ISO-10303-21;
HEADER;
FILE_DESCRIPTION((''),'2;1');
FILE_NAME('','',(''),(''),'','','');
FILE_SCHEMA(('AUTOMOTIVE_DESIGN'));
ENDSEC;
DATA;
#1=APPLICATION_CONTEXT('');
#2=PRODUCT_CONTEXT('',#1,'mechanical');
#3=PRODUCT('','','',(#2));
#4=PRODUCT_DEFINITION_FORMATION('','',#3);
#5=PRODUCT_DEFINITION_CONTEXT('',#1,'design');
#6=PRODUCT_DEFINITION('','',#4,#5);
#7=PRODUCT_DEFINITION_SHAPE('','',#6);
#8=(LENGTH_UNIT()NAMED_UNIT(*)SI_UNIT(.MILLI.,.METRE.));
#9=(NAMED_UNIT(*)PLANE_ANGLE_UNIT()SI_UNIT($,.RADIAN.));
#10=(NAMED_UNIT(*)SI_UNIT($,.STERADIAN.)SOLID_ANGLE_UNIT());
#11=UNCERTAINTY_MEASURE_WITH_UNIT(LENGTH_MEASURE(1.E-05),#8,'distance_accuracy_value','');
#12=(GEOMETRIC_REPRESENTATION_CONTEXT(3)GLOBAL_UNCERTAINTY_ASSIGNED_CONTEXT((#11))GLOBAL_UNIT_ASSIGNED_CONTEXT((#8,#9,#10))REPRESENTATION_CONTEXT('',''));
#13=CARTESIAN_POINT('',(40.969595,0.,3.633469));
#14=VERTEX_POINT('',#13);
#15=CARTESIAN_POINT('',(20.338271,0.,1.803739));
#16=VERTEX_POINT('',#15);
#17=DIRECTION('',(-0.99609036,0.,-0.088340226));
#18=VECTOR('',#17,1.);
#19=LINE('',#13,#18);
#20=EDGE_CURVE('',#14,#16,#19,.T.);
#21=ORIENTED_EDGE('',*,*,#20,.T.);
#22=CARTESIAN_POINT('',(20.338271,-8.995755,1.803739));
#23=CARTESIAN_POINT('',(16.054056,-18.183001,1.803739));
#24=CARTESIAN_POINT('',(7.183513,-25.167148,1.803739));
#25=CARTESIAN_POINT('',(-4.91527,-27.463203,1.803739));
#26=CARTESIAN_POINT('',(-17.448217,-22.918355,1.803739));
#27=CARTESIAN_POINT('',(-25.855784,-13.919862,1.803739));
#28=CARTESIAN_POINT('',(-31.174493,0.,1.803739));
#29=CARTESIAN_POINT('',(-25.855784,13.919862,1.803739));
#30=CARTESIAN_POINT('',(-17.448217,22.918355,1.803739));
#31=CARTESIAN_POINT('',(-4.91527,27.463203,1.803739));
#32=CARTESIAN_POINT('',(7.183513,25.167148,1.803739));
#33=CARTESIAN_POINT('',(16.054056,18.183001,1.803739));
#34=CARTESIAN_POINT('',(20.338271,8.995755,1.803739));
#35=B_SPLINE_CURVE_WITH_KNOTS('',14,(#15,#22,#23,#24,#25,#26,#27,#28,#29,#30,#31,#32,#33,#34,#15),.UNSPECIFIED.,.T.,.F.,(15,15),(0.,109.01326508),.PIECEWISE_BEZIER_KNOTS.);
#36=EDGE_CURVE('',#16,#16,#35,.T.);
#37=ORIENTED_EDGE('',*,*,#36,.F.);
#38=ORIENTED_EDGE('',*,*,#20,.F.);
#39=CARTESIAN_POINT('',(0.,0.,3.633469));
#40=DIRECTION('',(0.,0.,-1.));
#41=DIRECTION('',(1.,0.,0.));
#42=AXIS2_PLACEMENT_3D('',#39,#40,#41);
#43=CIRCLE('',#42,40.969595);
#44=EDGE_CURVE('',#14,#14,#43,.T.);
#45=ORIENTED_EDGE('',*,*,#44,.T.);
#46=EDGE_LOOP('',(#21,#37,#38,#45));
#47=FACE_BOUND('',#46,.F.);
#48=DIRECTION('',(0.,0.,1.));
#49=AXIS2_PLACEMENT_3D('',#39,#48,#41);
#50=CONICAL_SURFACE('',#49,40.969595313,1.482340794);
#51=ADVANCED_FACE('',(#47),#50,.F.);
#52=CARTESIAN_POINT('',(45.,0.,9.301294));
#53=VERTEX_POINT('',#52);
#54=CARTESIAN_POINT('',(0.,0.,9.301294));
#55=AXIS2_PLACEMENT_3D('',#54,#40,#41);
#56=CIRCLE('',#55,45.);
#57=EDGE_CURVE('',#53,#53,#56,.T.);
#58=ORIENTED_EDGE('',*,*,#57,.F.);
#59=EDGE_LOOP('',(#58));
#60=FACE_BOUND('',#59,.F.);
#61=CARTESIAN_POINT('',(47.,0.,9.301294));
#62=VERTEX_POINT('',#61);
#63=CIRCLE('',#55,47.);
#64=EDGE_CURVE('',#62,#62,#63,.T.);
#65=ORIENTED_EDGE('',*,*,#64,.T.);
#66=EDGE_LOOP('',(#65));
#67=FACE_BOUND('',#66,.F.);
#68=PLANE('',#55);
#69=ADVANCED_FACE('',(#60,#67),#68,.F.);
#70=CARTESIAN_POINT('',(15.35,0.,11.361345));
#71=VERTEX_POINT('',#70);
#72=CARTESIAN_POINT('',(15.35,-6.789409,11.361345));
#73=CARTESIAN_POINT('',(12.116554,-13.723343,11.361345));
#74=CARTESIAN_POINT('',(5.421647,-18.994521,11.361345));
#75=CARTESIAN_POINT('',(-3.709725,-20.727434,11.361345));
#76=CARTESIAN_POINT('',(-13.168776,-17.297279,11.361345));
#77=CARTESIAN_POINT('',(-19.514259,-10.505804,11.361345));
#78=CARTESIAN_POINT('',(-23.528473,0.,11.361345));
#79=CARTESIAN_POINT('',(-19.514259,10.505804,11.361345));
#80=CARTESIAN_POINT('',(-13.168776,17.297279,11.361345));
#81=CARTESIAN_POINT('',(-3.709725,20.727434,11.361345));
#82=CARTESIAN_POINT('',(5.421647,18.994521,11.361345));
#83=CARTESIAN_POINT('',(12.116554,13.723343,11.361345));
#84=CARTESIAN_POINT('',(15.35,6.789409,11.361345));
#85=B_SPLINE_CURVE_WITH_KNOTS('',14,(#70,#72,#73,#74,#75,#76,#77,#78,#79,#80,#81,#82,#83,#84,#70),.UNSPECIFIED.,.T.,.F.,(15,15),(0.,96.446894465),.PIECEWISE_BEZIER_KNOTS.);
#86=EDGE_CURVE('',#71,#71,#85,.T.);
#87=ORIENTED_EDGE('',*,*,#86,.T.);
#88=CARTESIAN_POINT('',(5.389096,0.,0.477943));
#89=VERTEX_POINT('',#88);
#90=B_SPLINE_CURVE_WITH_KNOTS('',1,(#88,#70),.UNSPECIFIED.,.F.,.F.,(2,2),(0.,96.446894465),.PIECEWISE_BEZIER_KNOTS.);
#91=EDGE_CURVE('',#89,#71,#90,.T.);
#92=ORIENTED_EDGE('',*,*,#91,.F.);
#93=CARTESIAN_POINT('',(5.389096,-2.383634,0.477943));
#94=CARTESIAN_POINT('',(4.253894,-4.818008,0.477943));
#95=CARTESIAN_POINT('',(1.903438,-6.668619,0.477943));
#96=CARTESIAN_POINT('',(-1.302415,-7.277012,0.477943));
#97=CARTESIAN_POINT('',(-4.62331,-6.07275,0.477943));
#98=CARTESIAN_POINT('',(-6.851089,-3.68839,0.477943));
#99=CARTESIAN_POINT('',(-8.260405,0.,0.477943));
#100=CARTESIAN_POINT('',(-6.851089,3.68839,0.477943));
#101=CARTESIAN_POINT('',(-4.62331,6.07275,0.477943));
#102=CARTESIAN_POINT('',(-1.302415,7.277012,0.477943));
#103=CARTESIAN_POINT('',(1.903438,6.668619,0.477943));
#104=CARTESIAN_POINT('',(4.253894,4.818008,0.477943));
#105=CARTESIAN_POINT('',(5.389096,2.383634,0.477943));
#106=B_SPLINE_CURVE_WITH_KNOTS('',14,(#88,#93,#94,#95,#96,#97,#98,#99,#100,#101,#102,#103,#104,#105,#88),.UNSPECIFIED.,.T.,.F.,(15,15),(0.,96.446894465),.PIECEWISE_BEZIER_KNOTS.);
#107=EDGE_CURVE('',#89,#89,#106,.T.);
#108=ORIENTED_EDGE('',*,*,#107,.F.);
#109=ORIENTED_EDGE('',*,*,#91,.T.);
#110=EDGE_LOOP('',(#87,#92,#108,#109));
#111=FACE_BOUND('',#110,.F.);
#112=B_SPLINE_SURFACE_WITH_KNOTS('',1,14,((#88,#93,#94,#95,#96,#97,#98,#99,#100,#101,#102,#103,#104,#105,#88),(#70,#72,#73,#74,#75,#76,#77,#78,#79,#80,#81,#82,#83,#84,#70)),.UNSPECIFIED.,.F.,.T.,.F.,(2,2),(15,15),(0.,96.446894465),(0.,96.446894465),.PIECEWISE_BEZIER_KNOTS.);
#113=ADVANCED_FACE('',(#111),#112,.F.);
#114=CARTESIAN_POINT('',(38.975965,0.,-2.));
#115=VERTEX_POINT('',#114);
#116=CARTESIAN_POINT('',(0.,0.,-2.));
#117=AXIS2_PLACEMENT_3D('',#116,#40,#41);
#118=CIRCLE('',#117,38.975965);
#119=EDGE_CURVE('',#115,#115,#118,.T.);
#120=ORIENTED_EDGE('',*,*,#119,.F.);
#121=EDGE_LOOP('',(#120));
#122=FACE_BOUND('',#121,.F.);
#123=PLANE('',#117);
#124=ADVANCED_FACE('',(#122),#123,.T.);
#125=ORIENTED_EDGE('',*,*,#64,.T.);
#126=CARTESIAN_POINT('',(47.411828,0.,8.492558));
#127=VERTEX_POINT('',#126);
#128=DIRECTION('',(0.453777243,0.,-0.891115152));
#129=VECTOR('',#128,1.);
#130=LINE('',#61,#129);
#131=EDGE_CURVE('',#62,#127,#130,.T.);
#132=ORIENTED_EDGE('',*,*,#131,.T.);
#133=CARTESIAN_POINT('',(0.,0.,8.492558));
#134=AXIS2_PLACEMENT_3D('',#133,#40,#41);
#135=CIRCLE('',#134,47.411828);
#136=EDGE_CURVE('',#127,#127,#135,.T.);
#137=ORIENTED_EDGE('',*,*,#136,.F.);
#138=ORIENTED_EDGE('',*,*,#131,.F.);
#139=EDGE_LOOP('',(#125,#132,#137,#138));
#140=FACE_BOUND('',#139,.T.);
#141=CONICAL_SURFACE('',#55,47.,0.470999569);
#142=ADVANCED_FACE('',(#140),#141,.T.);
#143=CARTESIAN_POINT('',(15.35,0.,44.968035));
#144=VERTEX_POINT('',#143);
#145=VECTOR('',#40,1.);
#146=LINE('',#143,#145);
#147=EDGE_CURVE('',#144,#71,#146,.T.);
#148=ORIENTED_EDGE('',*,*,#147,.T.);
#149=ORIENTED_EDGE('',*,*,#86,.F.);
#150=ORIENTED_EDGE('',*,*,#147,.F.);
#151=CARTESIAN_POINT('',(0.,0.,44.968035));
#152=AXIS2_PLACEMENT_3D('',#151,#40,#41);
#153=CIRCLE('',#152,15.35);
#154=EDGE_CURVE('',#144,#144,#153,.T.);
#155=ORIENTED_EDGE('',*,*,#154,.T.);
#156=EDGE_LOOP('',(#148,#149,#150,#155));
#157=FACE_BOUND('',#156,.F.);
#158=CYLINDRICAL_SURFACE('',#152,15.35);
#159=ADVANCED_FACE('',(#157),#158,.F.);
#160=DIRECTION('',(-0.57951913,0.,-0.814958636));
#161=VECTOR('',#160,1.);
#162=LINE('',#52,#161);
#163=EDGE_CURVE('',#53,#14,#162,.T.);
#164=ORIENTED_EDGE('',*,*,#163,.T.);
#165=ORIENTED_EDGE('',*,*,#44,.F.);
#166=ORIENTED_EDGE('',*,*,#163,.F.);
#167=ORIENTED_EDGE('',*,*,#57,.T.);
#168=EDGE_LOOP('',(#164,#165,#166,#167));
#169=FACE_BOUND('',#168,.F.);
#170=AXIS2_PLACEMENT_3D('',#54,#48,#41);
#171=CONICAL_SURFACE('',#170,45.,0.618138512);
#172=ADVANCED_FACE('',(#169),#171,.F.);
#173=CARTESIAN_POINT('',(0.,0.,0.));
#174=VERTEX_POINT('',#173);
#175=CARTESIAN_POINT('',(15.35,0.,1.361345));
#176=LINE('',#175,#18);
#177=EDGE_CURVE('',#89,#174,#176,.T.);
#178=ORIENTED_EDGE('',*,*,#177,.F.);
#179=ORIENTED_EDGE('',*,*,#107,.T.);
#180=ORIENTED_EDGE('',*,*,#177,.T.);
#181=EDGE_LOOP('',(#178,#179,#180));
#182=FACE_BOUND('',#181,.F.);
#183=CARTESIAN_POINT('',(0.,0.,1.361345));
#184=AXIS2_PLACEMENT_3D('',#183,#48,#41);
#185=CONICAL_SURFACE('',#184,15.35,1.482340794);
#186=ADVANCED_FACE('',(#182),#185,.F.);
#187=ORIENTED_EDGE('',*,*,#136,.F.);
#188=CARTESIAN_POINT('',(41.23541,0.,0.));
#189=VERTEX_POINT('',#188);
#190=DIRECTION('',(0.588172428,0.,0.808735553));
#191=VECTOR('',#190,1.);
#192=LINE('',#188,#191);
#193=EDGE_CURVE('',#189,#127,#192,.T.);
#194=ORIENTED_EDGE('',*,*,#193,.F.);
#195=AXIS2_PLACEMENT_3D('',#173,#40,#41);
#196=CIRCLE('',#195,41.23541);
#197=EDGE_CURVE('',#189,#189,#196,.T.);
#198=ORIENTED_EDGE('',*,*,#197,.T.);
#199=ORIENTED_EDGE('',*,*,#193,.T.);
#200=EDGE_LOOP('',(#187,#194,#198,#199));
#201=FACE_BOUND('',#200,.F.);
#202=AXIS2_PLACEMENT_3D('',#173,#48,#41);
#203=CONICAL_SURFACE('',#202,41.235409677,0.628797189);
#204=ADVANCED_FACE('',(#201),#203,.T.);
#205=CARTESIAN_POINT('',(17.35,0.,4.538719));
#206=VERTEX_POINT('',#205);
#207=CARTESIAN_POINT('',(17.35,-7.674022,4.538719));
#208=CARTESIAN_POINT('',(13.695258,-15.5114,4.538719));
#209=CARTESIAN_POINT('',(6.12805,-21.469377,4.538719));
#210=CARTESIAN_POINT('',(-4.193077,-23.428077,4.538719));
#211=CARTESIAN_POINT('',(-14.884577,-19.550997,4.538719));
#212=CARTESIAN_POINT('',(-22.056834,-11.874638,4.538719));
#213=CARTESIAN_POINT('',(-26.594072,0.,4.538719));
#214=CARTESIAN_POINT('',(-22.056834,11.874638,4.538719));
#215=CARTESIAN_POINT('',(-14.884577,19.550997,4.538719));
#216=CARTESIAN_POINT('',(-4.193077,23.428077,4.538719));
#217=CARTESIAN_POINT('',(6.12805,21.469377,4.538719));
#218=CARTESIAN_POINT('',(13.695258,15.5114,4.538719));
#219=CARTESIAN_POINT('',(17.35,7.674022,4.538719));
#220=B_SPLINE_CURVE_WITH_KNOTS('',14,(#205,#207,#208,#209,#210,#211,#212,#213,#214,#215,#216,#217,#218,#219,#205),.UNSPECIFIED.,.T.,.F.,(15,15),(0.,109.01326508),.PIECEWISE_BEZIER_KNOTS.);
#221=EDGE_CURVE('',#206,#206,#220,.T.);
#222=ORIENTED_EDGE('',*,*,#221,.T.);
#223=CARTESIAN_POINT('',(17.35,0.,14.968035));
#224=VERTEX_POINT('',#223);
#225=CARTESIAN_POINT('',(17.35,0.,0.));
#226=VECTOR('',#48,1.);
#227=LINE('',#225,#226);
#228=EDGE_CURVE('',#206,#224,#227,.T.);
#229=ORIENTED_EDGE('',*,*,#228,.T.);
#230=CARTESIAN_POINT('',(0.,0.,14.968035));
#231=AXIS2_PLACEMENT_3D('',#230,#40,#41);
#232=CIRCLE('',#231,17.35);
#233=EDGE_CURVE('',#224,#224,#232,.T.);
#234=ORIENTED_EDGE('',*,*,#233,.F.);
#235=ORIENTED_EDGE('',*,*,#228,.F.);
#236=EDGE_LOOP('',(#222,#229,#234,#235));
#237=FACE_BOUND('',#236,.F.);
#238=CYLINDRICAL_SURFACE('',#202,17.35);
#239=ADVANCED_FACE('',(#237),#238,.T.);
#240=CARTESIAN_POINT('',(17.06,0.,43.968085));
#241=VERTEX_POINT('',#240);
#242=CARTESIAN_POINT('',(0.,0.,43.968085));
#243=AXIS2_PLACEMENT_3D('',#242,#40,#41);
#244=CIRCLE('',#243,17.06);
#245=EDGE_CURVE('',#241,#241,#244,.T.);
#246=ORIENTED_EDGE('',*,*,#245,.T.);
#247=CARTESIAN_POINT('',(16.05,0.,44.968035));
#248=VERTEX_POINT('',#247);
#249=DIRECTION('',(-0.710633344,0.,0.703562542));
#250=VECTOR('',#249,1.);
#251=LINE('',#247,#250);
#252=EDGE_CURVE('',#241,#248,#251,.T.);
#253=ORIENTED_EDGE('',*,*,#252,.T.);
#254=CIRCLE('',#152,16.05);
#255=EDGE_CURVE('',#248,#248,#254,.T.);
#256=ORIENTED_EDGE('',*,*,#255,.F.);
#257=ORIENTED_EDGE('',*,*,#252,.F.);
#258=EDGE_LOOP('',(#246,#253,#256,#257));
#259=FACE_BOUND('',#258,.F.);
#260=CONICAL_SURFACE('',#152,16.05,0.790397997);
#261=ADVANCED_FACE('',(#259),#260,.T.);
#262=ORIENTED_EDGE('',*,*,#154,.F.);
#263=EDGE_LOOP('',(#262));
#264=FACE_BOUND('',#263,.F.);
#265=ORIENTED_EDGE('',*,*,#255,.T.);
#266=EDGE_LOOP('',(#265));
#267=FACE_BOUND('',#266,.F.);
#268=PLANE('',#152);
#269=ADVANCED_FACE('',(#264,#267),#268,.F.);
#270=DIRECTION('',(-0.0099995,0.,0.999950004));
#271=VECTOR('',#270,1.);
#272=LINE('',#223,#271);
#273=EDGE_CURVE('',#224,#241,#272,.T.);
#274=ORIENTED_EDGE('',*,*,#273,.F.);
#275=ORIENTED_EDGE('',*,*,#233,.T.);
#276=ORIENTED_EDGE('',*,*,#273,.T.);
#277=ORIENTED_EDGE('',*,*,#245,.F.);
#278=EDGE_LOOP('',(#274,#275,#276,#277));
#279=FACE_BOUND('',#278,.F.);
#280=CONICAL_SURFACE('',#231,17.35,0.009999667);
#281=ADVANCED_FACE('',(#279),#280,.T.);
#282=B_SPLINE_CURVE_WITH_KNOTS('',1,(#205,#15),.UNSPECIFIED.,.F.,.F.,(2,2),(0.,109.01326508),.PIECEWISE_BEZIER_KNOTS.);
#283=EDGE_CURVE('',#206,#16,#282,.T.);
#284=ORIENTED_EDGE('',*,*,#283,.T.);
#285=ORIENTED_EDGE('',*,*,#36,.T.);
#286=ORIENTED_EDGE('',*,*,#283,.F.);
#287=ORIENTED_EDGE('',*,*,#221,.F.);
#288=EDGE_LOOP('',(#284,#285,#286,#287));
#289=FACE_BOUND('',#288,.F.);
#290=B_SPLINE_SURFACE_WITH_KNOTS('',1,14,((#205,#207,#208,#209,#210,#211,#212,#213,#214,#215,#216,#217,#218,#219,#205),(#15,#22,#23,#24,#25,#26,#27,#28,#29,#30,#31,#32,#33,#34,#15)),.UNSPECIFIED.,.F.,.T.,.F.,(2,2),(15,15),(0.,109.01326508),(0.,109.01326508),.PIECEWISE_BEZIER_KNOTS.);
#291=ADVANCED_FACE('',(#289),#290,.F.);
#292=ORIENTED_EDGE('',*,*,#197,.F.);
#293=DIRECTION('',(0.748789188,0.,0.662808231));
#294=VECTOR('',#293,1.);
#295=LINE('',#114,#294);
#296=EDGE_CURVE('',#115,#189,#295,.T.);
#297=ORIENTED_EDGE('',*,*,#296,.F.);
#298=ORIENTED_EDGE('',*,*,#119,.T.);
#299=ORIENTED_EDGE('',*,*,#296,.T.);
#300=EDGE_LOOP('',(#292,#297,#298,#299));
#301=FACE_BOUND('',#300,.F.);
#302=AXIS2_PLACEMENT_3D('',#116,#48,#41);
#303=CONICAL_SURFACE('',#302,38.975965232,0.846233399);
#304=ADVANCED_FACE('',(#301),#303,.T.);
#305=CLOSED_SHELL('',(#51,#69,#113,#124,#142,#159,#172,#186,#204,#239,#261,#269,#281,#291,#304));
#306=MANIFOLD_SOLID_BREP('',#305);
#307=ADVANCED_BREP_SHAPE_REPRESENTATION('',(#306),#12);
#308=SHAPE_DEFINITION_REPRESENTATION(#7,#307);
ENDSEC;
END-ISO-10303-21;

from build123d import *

# Parameters (mm, degrees)
F2_SIZE  = 10
F3_SIZE  = 3
F4_SIZE2 = 0.3
F4_SIZE  = 30
F5_SIZE  = 1
F6_SIZE  = 1


with BuildPart() as f1:
    # F0 (on Front) → F1 (revolve)
    with BuildSketch(Plane.XZ):
        Polygon((15.35, 1.3613448423), (0, 0), (15.35, 0), align=None)
        Polygon((15.35, 0), (0, 0), (0, -2), (38.9759652317, -2), (41.235409677, 0), (35, 0), (17.35, 0), align=None)
        Polygon((15.35, 1.3613448423), (15.35, 0), (17.35, 0), (17.35, 1.5387187631), align=None)
        Polygon((15.35, 44.9680350721), (15.35, 1.3613448423), (17.35, 1.5387187631), (17.35, 44.9680350721), align=None)
        Polygon((17.35, 1.5387187631), (17.35, 0), (35, 0), (41.235409677, 0), (48, 9.3012940374), (45, 9.3012940374), (40.9695953131, 3.6334688775), align=None)
    revolve(axis=Axis((0, 0, 15.92751313), (0, 0, -1)))

    # F2
    f2_edges = [f1.edges().sort_by_distance(p)[0] for p in [
        (-15.35, 0, 1.361345),
    ]]
    chamfer(f2_edges, length=F2_SIZE)

    # F3
    f3_edges = [f1.edges().sort_by_distance(p)[0] for p in [
        (-17.35, 0, 1.538719),
    ]]
    chamfer(f3_edges, length=F3_SIZE)

    # F4
    f4_edges = [f1.edges().sort_by_distance(p)[0] for p in [
        (-17.35, 0, 44.968035),
    ]]
    f4_side = f1.faces().sort_by_distance((-17.35, 0, 24.753377))[0]
    chamfer(f4_edges, length=F4_SIZE, length2=F4_SIZE2, reference=f4_side)

    # F5
    f5_edges = [f1.edges().sort_by_distance(p)[0] for p in [
        (-48, 0, 9.301294),
    ]]
    chamfer(f5_edges, length=F5_SIZE)

    # F6
    f6_edges = [f1.edges().sort_by_distance(p)[0] for p in [
        (-17.05, 0, 44.968035),
    ]]
    chamfer(f6_edges, length=F6_SIZE)


solid = f1.part
